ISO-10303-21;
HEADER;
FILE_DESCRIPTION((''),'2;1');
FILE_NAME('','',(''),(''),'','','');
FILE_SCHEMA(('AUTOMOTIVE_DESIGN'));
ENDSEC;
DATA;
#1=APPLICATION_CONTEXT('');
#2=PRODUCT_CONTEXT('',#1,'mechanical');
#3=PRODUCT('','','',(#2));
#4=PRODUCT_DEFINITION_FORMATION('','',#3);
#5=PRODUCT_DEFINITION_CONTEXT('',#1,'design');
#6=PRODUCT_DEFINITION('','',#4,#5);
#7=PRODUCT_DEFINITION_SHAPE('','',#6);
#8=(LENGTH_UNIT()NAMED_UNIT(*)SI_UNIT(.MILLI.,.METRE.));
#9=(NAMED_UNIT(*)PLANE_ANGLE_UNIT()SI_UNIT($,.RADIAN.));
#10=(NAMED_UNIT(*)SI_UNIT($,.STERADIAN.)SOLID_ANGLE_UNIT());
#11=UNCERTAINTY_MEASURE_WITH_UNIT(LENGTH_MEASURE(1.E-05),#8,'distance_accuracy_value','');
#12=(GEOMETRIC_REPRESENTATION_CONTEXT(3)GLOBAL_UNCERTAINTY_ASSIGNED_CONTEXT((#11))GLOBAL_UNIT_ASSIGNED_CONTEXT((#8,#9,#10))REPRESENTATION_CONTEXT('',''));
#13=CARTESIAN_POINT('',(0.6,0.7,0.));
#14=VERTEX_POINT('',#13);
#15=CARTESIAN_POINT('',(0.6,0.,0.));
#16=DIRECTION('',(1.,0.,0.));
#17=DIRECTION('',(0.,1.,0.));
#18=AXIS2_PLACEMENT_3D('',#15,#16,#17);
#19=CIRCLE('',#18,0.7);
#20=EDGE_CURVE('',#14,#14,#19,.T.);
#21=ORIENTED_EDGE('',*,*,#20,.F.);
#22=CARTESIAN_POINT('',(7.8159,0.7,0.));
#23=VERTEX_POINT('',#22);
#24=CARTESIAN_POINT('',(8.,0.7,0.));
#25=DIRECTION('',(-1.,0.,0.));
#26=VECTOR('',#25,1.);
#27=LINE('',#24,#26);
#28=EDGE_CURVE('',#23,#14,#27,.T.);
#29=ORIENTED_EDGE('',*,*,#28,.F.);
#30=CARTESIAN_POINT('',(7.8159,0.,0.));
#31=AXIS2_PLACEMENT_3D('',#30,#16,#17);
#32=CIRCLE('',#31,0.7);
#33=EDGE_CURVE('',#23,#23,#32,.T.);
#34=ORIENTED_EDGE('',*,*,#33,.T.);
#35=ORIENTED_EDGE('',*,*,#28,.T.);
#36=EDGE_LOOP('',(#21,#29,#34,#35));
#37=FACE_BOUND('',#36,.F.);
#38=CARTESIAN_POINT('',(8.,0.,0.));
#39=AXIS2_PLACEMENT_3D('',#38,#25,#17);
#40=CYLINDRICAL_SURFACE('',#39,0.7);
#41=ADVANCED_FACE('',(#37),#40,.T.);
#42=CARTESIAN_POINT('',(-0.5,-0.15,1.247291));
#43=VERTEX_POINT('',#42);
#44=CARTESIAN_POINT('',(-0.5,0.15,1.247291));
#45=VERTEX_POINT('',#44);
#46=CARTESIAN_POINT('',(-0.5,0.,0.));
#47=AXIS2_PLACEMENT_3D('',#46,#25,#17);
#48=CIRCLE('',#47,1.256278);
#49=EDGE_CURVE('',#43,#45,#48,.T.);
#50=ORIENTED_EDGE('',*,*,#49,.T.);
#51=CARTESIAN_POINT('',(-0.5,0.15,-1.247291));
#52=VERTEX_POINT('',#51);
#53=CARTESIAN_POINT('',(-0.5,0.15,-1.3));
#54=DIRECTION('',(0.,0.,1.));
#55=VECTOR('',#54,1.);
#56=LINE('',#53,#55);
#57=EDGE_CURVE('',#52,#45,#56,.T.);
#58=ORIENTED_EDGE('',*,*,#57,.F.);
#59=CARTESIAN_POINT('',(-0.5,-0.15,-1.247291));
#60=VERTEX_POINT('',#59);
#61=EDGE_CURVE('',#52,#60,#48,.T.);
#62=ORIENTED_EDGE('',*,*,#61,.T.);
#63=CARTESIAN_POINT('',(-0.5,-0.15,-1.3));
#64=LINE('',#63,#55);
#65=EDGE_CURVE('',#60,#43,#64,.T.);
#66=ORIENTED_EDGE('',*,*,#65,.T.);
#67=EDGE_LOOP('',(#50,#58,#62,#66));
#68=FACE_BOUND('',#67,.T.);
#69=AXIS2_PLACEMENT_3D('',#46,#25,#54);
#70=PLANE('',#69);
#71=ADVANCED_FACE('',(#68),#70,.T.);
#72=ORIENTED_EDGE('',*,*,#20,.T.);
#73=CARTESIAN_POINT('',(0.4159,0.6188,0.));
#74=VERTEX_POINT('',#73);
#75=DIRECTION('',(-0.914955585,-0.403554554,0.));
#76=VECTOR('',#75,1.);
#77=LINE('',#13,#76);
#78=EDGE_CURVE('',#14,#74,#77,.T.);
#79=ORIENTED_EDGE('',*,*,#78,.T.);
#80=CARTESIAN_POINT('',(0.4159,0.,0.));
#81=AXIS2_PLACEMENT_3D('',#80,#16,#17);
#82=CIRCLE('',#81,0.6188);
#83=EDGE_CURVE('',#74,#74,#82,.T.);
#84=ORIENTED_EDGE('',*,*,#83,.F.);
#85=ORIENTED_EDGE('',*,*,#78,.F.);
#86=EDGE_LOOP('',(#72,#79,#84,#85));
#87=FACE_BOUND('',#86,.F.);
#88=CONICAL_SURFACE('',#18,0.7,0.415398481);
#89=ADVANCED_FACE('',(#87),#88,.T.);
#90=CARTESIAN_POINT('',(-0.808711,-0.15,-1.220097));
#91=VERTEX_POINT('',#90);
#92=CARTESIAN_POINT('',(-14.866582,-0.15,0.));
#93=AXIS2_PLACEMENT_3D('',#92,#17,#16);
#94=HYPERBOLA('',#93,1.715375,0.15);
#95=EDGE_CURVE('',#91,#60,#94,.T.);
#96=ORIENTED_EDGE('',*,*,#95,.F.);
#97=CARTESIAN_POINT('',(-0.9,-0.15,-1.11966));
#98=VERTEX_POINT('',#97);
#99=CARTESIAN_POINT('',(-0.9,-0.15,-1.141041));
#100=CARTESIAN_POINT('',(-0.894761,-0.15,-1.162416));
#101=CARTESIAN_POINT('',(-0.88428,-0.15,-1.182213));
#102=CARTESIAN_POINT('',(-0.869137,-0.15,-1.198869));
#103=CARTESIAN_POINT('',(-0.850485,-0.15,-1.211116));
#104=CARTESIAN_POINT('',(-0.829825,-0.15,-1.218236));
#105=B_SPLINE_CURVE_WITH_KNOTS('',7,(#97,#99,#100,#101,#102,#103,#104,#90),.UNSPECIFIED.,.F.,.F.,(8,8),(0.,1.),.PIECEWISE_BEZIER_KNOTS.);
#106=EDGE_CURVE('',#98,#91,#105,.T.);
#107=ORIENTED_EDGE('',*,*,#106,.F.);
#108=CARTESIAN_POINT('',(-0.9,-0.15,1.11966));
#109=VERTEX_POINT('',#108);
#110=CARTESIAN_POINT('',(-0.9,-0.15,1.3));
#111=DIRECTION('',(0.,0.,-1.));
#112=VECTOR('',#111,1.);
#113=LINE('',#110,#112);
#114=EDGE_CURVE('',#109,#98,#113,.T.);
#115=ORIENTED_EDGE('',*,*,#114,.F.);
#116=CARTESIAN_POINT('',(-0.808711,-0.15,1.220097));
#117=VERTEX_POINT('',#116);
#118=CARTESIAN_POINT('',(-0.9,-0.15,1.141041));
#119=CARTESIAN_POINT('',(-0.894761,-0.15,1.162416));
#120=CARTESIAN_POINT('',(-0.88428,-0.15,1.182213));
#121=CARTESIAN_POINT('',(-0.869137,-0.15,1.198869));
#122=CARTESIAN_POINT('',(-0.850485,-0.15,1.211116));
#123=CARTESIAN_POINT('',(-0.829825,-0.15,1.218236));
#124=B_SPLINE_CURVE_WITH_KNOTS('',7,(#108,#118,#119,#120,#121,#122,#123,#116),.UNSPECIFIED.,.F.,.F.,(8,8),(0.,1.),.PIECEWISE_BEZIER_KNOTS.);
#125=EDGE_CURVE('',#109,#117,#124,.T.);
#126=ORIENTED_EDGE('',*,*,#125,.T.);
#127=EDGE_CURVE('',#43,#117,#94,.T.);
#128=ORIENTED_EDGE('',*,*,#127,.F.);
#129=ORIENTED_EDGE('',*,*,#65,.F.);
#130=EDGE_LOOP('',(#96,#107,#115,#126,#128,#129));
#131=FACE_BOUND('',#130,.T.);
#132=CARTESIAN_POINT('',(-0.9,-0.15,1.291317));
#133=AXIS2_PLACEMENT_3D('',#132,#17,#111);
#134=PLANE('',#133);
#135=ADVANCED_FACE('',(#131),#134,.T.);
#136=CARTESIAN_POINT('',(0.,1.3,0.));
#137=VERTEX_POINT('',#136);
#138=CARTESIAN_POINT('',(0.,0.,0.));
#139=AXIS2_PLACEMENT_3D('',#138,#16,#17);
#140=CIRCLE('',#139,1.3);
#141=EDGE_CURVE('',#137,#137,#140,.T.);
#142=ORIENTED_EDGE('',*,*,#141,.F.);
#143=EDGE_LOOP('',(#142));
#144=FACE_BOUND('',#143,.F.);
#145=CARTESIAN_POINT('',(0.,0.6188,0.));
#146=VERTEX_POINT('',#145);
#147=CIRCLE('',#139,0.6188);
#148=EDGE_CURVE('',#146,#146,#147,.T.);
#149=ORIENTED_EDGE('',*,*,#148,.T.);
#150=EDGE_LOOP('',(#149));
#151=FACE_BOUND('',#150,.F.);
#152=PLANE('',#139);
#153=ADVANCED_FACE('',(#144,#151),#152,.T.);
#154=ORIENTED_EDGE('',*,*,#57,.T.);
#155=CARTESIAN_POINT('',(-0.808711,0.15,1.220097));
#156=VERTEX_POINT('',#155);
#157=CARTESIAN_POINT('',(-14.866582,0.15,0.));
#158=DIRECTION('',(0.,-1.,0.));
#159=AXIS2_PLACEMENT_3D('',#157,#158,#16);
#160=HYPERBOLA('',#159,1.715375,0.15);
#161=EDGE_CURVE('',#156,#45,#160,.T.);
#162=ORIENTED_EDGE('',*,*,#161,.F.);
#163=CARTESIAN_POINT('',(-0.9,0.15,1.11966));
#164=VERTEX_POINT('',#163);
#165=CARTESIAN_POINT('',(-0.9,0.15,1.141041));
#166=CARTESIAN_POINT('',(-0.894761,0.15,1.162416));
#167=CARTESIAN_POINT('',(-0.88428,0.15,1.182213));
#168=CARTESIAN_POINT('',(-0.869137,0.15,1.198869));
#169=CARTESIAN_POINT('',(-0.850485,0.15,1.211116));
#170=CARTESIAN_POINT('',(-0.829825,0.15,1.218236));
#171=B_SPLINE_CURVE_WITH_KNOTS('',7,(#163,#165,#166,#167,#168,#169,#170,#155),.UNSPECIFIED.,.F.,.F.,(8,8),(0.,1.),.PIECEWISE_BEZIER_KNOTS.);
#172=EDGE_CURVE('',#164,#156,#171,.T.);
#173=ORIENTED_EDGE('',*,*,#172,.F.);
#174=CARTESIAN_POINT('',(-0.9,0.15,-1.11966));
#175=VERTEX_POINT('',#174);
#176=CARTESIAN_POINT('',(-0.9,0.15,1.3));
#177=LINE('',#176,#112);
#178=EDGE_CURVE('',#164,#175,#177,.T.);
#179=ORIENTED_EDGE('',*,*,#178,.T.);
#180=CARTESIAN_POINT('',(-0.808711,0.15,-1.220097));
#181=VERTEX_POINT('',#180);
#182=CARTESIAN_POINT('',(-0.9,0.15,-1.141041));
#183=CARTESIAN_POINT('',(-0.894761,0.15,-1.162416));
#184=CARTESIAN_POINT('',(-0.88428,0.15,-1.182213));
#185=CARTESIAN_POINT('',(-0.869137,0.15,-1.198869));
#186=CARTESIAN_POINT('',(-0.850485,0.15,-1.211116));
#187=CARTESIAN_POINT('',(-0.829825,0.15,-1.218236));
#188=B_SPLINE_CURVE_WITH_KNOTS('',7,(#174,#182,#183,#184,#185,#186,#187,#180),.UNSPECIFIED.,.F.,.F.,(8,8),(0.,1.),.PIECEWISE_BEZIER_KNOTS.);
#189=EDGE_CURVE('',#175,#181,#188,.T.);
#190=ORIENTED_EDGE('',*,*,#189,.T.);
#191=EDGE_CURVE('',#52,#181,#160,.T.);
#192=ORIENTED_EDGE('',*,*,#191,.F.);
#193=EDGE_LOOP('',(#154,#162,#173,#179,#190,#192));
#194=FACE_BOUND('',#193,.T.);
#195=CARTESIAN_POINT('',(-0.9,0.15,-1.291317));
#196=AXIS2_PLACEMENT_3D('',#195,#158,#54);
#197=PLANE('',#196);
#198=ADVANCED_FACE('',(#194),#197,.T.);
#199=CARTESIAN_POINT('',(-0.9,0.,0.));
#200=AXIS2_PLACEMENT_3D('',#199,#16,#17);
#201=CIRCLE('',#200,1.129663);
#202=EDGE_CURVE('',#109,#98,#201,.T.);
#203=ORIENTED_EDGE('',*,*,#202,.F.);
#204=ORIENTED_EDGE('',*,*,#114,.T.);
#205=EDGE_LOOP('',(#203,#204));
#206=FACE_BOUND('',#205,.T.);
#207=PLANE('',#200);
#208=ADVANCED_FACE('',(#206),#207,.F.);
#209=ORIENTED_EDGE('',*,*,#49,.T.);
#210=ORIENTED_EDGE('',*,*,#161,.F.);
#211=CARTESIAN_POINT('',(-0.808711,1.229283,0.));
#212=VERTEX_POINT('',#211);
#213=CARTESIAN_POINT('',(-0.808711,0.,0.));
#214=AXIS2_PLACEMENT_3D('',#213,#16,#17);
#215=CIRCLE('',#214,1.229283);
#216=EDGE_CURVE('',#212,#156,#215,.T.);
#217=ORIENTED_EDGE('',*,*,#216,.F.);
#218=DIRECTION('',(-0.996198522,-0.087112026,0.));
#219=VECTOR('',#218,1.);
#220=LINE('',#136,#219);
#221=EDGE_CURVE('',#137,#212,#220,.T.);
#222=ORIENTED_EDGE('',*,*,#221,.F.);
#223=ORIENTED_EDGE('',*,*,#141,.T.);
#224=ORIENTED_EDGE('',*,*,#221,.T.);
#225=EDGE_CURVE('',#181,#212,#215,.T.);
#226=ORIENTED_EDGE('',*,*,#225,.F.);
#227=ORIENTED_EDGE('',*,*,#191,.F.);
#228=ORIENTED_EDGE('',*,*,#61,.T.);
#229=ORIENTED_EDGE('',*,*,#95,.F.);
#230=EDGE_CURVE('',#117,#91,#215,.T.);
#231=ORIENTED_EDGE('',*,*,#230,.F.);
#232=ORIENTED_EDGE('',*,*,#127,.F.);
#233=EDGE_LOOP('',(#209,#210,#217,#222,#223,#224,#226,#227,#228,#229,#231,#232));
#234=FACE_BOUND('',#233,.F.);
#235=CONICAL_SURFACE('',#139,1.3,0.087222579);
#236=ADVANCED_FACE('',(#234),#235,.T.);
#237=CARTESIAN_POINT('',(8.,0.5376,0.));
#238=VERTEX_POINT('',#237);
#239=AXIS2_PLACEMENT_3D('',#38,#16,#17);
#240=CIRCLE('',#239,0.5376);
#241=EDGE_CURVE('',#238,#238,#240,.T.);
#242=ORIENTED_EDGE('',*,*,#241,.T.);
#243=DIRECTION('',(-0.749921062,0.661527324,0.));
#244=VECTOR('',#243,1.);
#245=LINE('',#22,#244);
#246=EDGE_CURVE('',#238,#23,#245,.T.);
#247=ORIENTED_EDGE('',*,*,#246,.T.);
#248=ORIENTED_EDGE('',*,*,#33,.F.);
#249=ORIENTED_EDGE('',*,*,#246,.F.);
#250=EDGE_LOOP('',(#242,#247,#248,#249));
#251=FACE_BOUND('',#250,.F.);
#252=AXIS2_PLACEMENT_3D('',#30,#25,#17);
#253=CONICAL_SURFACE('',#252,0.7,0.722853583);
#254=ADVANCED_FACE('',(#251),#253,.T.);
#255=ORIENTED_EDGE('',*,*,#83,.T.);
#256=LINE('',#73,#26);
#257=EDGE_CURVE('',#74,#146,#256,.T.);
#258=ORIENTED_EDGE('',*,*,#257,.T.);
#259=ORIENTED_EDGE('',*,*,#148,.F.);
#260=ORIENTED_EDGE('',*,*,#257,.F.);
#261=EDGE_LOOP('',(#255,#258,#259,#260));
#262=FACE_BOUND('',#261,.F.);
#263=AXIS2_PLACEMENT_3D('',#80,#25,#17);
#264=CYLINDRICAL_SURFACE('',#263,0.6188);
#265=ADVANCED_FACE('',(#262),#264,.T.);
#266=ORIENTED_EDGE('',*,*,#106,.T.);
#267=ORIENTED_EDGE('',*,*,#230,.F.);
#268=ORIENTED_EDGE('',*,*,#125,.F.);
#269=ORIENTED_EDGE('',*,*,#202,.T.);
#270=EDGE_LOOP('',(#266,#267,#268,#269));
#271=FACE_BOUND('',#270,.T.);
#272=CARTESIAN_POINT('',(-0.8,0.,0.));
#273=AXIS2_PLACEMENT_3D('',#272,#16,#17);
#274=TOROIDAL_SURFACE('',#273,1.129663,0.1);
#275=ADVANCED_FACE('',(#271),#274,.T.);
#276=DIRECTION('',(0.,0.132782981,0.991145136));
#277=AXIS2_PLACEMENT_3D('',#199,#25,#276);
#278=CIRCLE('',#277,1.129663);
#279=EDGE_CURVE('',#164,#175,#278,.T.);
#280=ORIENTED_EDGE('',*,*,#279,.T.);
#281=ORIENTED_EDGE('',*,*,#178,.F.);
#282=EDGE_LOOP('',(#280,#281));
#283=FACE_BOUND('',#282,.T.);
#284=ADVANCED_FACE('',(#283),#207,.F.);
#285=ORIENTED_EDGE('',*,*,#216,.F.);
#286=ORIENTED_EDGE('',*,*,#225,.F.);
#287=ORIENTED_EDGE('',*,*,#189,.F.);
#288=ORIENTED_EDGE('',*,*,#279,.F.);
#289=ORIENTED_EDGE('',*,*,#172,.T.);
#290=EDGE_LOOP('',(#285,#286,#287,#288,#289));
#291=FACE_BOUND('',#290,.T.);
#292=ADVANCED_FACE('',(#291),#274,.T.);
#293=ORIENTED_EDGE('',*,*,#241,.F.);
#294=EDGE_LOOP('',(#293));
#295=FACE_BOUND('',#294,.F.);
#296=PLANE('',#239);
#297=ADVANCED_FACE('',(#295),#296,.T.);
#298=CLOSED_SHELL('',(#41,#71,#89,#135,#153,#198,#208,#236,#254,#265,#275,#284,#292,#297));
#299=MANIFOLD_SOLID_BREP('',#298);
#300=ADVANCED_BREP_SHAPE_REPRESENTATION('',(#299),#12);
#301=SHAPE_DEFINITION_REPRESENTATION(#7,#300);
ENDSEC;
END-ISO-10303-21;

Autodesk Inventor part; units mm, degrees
ref_plane "YZ Plane" through (0, 0, 0) normal (1, 0, 0) x (0, 1, 0)
ref_plane "XZ Plane" through (0, 0, 0) normal (0, 1, 0) x (-1, 0, 0)
sketch "Skizze1" plane through (0, 0, 0) normal (0, 0, 1) x (1, 0, 0)
  line L0 (-0.9, 0) -> (8, 0)
  line L1 (8, 0) -> (8, 0.7)
  line L2 (8, 0.7) -> (0.6, 0.7)
  line L3 (0.6, 0.7) -> (0.4159, 0.6188)
  line L4 (0.4159, 0.6188) -> (0, 0.6188)
  line L5 (0, 0.6188) -> (0, 1.3)
  line L6 (-2.68, 0) -> (9.78, 0) projected
  line L7 (0, -0.26) -> (0, 1.56) projected
  line L8 (-0.9, 0) -> (-0.9, 1.2213)
  line L9 (0, 1.3) -> (-0.9, 1.2213)
  line L10 (0.6, 0.7) -> (0, 0.7) construction
  dimension "d0" = 8
  dimension "d1" = 7.4
  dimension "d2" = 0.1841
  dimension "d3" = 0.9
  dimension "d4" = 1.4
  dimension "d5" = 1.2376
  dimension "d9" = 2.6
  dimension "d10" = 5
revolve "Körper" add sketch "Skizze1" angle 360 about axis through (-0.9, 0, 0) along (1, 0, 0)
sketch "Skizze2" plane through (-0.9, 0, 0) normal (-1, 0, 0) x (0, 0, 1)
  circle A0 centre (0, 0) radius 1.3 projected
  line L0 (0, 0) -> (0, 1.2213) projected
  line L1 (-1.3, 0.15) -> (1.3, 0.15)
  line L2 (1.3, 0.15) -> (1.3, -0.15)
  line L3 (1.3, -0.15) -> (-1.3, -0.15)
  line L4 (-1.3, -0.15) -> (-1.3, 0.15)
  line L5 (-1.3, 0) -> (1.3, 0) construction
  line L6 (0, 0.15) -> (0, -0.15) construction
  dimension "d11" = 0.3
  dimension "d12" = 2.6
fillet "Rundung1" radius 0.1 1 edges at (-0.9, -1.2213, 0)
extrude "Loch" cut sketch "Skizze2" against normal blind 0.4 contours A0 L3 L1 | L2 L3 A0 | A0 L1 L2 | A0 L4 L1 | L3 L4 A0
thread "Gewinde" size "M1.4x0.3" class "6g" standard "ISO Metric profile" length 7.4
chamfer "Fase1" distance 0.1624 distance2 0.1841 1 edges at (8, -0.7, 0) measured on face at (8, 0.4293, -0.1327)
ref_plane "Work Plane1" through (30.1625, 0, 0) normal (0, 0, -1) x (1, 0, 0)
equation "\"d11\" = SBR"
equation "\"d12\" = KOD"
equation "\"d14\" = RR"
equation "\"d19\" = STI"
equation "\"d15\" = GEL"
equation "\"d17\" = -0.5 * SPD + 0.5 * GD"
equation "\"d0\" = NLG"
equation "\"d1\" = GEL"
equation "\"d3\" = KOH"
equation "\"d4\" = GD"
equation "\"d5\" = BDM"
equation "\"d9\" = KOD"
equation "\"d10\" = KEWI"
equation "\"GD\" = 1.4"
equation "\"NLG\" = 8"
equation "\"GEL\" = 7.4"
equation "\"KOD\" = 2.6"
equation "\"KOH\" = 0.9"
equation "\"GAL\" = 0.61345 * PTC"
equation "\"SPD\" = 1.07524"
equation "\"BDM\" = 1.23762"
equation "\"GUL\" = 0.61345 * PTC"
equation "\"RR\" = 0.1"
equation "\"SBR\" = 0.3"
equation "\"STI\" = 0.4"
equation "\"KEWI\" = 5deg"
equation "\"PTC\" = 0.3"
equation "\"THREADDIA\" = 1.4"
equation "\"TOA\" = 30deg"
equation "\"NND\" = 1.4"
equation "\"GD1\" = THREADDIA - 1.2269 * PTC"
properties part number "DIN 84 - M1,4 x 8" material "Stahl, weich"
